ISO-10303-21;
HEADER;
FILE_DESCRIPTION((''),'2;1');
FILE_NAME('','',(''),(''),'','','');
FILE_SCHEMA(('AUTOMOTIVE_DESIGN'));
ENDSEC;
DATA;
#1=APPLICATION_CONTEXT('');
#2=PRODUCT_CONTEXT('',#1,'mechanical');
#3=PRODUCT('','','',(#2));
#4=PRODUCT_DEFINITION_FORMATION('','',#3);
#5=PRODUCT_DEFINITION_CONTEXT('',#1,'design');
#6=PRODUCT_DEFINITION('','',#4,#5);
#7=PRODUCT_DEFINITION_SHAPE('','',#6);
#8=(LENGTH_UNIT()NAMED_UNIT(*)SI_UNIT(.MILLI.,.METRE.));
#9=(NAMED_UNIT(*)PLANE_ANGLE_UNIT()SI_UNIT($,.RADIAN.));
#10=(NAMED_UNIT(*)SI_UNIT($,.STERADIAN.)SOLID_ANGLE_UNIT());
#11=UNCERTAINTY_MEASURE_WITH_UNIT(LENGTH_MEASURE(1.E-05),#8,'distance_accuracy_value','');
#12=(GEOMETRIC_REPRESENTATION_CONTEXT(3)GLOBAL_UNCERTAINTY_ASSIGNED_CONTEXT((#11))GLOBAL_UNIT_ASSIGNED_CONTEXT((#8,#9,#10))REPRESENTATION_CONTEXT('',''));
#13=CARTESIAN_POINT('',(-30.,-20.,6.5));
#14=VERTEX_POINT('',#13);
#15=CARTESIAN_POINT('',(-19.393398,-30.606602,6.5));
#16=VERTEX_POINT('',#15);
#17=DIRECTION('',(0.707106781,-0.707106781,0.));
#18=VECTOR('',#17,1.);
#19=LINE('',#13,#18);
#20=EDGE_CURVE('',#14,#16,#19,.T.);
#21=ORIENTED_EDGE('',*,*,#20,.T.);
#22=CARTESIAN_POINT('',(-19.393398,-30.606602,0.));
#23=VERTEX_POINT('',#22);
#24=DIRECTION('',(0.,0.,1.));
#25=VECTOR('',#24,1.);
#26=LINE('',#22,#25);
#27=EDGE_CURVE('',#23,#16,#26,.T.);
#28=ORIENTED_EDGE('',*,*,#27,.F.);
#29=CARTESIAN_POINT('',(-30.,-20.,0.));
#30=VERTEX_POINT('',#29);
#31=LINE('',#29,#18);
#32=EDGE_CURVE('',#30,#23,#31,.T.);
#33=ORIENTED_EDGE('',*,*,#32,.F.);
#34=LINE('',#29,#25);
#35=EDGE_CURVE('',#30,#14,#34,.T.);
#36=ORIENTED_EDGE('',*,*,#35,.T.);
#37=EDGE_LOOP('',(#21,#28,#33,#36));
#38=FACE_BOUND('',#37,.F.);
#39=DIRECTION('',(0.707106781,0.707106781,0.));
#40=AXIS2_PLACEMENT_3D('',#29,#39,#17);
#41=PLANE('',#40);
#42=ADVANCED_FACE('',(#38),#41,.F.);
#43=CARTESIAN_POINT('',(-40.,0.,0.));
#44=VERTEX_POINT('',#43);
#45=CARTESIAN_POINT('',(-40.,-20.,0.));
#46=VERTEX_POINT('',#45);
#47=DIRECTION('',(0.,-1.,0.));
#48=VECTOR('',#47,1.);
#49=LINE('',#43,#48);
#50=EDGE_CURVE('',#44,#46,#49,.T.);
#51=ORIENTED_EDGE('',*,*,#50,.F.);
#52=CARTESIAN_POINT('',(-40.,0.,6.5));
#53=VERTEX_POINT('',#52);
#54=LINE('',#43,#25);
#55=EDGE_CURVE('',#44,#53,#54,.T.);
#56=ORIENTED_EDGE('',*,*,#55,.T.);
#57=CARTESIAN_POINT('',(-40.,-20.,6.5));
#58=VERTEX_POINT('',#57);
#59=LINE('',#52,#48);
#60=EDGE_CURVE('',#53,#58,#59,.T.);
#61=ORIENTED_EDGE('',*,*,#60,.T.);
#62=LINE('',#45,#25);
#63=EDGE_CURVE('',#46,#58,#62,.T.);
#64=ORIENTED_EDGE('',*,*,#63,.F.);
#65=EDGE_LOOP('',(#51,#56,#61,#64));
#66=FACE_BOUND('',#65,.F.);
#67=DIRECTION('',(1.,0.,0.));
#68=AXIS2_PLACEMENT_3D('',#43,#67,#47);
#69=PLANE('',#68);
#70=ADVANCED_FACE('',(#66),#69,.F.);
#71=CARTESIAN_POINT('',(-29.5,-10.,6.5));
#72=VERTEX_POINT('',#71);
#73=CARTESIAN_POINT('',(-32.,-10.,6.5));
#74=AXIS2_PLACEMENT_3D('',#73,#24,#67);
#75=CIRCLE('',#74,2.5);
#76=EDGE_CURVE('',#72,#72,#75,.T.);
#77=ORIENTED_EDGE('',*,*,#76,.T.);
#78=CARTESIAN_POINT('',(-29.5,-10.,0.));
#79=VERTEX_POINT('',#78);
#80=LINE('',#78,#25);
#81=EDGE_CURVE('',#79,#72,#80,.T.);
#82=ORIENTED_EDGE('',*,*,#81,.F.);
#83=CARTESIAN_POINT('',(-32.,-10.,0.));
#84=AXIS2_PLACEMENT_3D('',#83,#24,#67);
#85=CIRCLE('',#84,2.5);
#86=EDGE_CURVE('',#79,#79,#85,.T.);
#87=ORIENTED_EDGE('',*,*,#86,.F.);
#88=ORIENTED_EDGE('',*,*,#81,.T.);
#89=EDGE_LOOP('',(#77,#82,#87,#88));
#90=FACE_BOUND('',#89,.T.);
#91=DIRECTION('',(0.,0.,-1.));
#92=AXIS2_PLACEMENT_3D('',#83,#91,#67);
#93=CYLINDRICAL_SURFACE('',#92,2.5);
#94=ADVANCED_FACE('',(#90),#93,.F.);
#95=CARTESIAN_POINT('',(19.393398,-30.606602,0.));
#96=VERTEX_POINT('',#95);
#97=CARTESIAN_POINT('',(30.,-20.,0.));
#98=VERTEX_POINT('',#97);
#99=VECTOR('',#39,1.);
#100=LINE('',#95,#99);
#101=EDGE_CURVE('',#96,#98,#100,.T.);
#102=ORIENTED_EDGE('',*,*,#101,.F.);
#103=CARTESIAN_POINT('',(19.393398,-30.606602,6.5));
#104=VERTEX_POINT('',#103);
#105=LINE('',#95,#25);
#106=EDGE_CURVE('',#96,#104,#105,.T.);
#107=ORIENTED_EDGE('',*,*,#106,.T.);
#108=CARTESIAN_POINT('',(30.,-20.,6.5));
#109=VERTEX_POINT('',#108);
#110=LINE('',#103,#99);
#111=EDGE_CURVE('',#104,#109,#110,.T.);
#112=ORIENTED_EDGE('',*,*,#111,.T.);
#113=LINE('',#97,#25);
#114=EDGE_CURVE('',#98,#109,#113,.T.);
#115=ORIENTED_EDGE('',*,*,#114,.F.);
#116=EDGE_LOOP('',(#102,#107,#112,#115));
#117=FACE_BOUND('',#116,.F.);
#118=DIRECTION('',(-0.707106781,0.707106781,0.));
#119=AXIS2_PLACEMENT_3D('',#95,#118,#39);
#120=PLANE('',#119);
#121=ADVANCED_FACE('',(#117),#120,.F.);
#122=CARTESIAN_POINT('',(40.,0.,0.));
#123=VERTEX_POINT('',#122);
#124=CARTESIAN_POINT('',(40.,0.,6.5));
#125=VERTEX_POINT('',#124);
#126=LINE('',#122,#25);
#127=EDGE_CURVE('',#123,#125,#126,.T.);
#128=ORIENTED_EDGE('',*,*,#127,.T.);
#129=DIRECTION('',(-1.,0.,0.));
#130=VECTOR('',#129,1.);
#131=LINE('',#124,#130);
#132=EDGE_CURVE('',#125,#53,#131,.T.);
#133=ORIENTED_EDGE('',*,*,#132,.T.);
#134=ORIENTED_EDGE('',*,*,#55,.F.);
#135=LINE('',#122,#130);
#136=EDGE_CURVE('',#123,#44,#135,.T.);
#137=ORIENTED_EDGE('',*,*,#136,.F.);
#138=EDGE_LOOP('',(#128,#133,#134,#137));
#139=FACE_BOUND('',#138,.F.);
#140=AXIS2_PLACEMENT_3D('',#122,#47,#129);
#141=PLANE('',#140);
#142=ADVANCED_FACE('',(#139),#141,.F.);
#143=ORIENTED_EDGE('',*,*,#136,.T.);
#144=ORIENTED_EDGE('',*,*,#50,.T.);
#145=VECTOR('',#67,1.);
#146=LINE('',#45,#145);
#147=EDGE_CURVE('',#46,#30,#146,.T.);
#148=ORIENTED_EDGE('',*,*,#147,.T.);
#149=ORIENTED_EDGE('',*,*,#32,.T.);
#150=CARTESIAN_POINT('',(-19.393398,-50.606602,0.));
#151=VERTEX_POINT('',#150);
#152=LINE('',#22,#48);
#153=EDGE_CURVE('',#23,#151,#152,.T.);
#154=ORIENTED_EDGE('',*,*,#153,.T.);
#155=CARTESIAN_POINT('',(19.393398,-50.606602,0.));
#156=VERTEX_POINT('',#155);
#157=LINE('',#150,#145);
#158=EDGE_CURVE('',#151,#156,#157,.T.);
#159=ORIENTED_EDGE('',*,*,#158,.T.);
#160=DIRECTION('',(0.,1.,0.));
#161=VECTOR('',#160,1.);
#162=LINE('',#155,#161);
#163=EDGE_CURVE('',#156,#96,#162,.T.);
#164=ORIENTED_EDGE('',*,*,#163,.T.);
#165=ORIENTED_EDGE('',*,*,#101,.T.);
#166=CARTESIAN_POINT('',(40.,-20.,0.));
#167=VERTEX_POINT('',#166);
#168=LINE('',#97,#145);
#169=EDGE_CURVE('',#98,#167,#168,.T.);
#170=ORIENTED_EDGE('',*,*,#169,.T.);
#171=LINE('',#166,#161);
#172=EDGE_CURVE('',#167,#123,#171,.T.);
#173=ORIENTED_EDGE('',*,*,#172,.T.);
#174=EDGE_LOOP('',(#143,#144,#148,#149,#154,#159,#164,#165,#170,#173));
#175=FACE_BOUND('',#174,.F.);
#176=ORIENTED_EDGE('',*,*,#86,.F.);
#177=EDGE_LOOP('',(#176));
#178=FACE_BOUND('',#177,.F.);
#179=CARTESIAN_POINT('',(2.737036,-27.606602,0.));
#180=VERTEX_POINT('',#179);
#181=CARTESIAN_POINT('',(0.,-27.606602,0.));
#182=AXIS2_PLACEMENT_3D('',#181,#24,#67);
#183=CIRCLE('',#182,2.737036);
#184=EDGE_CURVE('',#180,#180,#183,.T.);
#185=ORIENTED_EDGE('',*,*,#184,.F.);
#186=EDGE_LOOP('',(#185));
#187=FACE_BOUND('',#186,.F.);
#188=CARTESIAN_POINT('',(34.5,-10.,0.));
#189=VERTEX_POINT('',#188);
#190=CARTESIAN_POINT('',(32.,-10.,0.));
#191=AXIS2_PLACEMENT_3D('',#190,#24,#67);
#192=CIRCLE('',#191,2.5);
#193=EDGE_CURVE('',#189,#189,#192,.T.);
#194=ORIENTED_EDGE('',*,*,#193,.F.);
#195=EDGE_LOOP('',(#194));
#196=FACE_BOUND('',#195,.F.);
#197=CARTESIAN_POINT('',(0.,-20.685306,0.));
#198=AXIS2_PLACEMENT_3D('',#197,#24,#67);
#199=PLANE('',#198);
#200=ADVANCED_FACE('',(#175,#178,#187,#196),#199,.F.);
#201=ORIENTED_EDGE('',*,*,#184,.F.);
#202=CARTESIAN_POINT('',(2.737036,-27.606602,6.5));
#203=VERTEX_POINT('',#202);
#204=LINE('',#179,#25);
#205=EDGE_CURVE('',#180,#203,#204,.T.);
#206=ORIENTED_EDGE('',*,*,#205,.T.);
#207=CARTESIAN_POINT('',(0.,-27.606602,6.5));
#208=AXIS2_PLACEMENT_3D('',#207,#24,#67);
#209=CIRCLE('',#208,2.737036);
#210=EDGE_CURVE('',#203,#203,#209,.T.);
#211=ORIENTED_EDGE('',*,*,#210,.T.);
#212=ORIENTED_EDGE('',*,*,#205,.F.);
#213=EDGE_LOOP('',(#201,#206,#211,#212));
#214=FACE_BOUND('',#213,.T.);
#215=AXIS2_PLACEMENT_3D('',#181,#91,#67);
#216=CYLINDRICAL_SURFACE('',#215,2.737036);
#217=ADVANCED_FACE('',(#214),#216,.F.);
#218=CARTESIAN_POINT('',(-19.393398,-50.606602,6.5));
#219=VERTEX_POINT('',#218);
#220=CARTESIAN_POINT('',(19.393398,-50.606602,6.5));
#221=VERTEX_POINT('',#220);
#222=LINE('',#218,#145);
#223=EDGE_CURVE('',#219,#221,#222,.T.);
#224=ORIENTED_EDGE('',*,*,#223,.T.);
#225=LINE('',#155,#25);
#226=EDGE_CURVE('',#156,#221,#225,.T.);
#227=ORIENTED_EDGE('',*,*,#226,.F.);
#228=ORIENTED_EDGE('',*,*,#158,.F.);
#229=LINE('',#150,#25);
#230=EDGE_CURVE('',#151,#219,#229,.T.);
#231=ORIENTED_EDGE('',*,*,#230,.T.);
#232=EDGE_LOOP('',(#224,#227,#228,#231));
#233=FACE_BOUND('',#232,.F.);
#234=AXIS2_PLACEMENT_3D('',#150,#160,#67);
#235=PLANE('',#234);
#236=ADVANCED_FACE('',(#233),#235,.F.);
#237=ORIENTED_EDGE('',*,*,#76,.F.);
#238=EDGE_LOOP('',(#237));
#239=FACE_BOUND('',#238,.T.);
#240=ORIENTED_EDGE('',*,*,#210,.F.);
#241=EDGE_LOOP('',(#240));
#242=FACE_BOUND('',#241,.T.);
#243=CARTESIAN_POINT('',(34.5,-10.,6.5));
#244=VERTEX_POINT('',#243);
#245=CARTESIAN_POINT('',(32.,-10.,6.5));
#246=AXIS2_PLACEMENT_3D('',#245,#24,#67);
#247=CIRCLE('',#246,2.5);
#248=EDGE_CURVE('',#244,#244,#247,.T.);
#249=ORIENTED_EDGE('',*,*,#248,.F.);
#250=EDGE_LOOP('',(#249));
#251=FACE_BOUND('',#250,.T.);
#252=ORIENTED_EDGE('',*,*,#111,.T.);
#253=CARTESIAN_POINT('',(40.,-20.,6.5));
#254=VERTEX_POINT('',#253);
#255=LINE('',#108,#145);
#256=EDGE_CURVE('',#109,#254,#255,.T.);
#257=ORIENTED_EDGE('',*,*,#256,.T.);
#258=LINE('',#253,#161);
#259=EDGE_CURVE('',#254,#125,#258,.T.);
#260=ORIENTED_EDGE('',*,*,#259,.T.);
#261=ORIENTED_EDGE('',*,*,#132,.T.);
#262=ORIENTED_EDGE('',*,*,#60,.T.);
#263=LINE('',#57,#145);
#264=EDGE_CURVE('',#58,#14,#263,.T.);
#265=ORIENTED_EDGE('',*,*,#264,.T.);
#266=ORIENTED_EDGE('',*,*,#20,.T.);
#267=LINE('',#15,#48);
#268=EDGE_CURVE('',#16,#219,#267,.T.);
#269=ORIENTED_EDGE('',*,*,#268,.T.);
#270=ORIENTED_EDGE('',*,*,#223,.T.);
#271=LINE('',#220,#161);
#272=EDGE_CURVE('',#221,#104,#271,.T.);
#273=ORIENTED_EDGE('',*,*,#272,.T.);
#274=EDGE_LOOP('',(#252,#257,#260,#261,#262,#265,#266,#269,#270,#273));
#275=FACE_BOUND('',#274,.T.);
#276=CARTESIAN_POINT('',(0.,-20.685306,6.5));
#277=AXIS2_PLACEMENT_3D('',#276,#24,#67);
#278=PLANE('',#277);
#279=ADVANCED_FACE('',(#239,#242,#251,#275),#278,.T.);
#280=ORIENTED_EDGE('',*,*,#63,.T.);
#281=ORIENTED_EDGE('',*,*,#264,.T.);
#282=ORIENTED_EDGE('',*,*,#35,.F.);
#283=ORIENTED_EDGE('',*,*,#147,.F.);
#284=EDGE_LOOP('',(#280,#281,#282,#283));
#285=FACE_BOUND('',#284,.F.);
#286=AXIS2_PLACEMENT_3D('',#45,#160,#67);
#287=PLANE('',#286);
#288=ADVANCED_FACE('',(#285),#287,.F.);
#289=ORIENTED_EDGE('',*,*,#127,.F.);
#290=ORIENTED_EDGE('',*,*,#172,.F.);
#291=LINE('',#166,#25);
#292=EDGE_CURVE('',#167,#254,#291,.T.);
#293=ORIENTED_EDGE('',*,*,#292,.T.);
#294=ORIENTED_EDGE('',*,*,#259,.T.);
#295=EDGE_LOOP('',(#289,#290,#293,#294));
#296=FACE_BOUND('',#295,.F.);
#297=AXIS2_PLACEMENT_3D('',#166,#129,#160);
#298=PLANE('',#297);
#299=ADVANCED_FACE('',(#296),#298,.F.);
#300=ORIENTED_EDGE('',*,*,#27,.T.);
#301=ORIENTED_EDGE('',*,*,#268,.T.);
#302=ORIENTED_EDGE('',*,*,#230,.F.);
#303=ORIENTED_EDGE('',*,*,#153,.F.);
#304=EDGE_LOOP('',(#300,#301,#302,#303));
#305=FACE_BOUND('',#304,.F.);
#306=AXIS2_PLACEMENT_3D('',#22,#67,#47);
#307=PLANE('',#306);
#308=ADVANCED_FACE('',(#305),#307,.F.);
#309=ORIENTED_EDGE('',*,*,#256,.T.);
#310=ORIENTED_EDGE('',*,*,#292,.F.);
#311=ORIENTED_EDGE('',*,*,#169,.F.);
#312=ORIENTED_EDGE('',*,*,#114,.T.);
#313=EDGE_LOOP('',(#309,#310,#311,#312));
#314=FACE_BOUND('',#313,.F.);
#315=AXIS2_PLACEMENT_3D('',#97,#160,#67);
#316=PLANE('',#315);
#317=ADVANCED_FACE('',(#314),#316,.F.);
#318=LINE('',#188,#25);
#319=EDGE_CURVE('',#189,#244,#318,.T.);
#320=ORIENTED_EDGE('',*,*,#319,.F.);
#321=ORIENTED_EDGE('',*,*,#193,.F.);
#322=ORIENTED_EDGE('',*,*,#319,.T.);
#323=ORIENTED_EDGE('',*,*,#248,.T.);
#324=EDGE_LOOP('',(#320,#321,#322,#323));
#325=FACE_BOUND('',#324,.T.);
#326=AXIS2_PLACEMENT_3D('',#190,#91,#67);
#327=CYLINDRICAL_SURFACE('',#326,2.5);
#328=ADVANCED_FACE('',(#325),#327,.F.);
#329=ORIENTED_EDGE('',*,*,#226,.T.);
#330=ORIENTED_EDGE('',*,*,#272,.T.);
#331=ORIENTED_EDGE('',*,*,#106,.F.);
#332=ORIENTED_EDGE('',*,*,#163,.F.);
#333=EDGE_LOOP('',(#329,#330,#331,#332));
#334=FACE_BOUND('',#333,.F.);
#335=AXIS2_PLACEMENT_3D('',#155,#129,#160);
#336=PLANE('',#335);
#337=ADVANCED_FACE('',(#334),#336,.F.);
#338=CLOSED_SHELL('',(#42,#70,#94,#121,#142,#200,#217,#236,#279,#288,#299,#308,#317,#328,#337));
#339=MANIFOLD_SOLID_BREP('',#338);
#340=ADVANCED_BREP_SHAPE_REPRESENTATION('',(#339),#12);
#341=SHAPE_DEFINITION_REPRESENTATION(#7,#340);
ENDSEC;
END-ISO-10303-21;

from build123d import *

# Parameters (mm, degrees)
F0_R     = 2.737036
F0_R_2   = 2.5
F1_DEPTH = 6.5


with BuildPart() as f1:
    # F0 (on Top) → F1 (new body)
    with BuildSketch(Plane.XY):
        Polygon((40, 0), (-40, 0), (-40, -20), (-30, -20), (-19.393398, -30.606602), (-19.393398, -50.606602), (19.393398, -50.606602), (19.393398, -30.606602), (30, -20), (40, -20), align=None)
        with Locations((0, -27.606602)):
            Circle(F0_R, mode=Mode.SUBTRACT)
        with Locations((-32, -10)):
            Circle(F0_R_2, mode=Mode.SUBTRACT)
        with Locations((32, -10)):
            Circle(F0_R_2, mode=Mode.SUBTRACT)
    extrude(amount=F1_DEPTH)


solid = f1.part
